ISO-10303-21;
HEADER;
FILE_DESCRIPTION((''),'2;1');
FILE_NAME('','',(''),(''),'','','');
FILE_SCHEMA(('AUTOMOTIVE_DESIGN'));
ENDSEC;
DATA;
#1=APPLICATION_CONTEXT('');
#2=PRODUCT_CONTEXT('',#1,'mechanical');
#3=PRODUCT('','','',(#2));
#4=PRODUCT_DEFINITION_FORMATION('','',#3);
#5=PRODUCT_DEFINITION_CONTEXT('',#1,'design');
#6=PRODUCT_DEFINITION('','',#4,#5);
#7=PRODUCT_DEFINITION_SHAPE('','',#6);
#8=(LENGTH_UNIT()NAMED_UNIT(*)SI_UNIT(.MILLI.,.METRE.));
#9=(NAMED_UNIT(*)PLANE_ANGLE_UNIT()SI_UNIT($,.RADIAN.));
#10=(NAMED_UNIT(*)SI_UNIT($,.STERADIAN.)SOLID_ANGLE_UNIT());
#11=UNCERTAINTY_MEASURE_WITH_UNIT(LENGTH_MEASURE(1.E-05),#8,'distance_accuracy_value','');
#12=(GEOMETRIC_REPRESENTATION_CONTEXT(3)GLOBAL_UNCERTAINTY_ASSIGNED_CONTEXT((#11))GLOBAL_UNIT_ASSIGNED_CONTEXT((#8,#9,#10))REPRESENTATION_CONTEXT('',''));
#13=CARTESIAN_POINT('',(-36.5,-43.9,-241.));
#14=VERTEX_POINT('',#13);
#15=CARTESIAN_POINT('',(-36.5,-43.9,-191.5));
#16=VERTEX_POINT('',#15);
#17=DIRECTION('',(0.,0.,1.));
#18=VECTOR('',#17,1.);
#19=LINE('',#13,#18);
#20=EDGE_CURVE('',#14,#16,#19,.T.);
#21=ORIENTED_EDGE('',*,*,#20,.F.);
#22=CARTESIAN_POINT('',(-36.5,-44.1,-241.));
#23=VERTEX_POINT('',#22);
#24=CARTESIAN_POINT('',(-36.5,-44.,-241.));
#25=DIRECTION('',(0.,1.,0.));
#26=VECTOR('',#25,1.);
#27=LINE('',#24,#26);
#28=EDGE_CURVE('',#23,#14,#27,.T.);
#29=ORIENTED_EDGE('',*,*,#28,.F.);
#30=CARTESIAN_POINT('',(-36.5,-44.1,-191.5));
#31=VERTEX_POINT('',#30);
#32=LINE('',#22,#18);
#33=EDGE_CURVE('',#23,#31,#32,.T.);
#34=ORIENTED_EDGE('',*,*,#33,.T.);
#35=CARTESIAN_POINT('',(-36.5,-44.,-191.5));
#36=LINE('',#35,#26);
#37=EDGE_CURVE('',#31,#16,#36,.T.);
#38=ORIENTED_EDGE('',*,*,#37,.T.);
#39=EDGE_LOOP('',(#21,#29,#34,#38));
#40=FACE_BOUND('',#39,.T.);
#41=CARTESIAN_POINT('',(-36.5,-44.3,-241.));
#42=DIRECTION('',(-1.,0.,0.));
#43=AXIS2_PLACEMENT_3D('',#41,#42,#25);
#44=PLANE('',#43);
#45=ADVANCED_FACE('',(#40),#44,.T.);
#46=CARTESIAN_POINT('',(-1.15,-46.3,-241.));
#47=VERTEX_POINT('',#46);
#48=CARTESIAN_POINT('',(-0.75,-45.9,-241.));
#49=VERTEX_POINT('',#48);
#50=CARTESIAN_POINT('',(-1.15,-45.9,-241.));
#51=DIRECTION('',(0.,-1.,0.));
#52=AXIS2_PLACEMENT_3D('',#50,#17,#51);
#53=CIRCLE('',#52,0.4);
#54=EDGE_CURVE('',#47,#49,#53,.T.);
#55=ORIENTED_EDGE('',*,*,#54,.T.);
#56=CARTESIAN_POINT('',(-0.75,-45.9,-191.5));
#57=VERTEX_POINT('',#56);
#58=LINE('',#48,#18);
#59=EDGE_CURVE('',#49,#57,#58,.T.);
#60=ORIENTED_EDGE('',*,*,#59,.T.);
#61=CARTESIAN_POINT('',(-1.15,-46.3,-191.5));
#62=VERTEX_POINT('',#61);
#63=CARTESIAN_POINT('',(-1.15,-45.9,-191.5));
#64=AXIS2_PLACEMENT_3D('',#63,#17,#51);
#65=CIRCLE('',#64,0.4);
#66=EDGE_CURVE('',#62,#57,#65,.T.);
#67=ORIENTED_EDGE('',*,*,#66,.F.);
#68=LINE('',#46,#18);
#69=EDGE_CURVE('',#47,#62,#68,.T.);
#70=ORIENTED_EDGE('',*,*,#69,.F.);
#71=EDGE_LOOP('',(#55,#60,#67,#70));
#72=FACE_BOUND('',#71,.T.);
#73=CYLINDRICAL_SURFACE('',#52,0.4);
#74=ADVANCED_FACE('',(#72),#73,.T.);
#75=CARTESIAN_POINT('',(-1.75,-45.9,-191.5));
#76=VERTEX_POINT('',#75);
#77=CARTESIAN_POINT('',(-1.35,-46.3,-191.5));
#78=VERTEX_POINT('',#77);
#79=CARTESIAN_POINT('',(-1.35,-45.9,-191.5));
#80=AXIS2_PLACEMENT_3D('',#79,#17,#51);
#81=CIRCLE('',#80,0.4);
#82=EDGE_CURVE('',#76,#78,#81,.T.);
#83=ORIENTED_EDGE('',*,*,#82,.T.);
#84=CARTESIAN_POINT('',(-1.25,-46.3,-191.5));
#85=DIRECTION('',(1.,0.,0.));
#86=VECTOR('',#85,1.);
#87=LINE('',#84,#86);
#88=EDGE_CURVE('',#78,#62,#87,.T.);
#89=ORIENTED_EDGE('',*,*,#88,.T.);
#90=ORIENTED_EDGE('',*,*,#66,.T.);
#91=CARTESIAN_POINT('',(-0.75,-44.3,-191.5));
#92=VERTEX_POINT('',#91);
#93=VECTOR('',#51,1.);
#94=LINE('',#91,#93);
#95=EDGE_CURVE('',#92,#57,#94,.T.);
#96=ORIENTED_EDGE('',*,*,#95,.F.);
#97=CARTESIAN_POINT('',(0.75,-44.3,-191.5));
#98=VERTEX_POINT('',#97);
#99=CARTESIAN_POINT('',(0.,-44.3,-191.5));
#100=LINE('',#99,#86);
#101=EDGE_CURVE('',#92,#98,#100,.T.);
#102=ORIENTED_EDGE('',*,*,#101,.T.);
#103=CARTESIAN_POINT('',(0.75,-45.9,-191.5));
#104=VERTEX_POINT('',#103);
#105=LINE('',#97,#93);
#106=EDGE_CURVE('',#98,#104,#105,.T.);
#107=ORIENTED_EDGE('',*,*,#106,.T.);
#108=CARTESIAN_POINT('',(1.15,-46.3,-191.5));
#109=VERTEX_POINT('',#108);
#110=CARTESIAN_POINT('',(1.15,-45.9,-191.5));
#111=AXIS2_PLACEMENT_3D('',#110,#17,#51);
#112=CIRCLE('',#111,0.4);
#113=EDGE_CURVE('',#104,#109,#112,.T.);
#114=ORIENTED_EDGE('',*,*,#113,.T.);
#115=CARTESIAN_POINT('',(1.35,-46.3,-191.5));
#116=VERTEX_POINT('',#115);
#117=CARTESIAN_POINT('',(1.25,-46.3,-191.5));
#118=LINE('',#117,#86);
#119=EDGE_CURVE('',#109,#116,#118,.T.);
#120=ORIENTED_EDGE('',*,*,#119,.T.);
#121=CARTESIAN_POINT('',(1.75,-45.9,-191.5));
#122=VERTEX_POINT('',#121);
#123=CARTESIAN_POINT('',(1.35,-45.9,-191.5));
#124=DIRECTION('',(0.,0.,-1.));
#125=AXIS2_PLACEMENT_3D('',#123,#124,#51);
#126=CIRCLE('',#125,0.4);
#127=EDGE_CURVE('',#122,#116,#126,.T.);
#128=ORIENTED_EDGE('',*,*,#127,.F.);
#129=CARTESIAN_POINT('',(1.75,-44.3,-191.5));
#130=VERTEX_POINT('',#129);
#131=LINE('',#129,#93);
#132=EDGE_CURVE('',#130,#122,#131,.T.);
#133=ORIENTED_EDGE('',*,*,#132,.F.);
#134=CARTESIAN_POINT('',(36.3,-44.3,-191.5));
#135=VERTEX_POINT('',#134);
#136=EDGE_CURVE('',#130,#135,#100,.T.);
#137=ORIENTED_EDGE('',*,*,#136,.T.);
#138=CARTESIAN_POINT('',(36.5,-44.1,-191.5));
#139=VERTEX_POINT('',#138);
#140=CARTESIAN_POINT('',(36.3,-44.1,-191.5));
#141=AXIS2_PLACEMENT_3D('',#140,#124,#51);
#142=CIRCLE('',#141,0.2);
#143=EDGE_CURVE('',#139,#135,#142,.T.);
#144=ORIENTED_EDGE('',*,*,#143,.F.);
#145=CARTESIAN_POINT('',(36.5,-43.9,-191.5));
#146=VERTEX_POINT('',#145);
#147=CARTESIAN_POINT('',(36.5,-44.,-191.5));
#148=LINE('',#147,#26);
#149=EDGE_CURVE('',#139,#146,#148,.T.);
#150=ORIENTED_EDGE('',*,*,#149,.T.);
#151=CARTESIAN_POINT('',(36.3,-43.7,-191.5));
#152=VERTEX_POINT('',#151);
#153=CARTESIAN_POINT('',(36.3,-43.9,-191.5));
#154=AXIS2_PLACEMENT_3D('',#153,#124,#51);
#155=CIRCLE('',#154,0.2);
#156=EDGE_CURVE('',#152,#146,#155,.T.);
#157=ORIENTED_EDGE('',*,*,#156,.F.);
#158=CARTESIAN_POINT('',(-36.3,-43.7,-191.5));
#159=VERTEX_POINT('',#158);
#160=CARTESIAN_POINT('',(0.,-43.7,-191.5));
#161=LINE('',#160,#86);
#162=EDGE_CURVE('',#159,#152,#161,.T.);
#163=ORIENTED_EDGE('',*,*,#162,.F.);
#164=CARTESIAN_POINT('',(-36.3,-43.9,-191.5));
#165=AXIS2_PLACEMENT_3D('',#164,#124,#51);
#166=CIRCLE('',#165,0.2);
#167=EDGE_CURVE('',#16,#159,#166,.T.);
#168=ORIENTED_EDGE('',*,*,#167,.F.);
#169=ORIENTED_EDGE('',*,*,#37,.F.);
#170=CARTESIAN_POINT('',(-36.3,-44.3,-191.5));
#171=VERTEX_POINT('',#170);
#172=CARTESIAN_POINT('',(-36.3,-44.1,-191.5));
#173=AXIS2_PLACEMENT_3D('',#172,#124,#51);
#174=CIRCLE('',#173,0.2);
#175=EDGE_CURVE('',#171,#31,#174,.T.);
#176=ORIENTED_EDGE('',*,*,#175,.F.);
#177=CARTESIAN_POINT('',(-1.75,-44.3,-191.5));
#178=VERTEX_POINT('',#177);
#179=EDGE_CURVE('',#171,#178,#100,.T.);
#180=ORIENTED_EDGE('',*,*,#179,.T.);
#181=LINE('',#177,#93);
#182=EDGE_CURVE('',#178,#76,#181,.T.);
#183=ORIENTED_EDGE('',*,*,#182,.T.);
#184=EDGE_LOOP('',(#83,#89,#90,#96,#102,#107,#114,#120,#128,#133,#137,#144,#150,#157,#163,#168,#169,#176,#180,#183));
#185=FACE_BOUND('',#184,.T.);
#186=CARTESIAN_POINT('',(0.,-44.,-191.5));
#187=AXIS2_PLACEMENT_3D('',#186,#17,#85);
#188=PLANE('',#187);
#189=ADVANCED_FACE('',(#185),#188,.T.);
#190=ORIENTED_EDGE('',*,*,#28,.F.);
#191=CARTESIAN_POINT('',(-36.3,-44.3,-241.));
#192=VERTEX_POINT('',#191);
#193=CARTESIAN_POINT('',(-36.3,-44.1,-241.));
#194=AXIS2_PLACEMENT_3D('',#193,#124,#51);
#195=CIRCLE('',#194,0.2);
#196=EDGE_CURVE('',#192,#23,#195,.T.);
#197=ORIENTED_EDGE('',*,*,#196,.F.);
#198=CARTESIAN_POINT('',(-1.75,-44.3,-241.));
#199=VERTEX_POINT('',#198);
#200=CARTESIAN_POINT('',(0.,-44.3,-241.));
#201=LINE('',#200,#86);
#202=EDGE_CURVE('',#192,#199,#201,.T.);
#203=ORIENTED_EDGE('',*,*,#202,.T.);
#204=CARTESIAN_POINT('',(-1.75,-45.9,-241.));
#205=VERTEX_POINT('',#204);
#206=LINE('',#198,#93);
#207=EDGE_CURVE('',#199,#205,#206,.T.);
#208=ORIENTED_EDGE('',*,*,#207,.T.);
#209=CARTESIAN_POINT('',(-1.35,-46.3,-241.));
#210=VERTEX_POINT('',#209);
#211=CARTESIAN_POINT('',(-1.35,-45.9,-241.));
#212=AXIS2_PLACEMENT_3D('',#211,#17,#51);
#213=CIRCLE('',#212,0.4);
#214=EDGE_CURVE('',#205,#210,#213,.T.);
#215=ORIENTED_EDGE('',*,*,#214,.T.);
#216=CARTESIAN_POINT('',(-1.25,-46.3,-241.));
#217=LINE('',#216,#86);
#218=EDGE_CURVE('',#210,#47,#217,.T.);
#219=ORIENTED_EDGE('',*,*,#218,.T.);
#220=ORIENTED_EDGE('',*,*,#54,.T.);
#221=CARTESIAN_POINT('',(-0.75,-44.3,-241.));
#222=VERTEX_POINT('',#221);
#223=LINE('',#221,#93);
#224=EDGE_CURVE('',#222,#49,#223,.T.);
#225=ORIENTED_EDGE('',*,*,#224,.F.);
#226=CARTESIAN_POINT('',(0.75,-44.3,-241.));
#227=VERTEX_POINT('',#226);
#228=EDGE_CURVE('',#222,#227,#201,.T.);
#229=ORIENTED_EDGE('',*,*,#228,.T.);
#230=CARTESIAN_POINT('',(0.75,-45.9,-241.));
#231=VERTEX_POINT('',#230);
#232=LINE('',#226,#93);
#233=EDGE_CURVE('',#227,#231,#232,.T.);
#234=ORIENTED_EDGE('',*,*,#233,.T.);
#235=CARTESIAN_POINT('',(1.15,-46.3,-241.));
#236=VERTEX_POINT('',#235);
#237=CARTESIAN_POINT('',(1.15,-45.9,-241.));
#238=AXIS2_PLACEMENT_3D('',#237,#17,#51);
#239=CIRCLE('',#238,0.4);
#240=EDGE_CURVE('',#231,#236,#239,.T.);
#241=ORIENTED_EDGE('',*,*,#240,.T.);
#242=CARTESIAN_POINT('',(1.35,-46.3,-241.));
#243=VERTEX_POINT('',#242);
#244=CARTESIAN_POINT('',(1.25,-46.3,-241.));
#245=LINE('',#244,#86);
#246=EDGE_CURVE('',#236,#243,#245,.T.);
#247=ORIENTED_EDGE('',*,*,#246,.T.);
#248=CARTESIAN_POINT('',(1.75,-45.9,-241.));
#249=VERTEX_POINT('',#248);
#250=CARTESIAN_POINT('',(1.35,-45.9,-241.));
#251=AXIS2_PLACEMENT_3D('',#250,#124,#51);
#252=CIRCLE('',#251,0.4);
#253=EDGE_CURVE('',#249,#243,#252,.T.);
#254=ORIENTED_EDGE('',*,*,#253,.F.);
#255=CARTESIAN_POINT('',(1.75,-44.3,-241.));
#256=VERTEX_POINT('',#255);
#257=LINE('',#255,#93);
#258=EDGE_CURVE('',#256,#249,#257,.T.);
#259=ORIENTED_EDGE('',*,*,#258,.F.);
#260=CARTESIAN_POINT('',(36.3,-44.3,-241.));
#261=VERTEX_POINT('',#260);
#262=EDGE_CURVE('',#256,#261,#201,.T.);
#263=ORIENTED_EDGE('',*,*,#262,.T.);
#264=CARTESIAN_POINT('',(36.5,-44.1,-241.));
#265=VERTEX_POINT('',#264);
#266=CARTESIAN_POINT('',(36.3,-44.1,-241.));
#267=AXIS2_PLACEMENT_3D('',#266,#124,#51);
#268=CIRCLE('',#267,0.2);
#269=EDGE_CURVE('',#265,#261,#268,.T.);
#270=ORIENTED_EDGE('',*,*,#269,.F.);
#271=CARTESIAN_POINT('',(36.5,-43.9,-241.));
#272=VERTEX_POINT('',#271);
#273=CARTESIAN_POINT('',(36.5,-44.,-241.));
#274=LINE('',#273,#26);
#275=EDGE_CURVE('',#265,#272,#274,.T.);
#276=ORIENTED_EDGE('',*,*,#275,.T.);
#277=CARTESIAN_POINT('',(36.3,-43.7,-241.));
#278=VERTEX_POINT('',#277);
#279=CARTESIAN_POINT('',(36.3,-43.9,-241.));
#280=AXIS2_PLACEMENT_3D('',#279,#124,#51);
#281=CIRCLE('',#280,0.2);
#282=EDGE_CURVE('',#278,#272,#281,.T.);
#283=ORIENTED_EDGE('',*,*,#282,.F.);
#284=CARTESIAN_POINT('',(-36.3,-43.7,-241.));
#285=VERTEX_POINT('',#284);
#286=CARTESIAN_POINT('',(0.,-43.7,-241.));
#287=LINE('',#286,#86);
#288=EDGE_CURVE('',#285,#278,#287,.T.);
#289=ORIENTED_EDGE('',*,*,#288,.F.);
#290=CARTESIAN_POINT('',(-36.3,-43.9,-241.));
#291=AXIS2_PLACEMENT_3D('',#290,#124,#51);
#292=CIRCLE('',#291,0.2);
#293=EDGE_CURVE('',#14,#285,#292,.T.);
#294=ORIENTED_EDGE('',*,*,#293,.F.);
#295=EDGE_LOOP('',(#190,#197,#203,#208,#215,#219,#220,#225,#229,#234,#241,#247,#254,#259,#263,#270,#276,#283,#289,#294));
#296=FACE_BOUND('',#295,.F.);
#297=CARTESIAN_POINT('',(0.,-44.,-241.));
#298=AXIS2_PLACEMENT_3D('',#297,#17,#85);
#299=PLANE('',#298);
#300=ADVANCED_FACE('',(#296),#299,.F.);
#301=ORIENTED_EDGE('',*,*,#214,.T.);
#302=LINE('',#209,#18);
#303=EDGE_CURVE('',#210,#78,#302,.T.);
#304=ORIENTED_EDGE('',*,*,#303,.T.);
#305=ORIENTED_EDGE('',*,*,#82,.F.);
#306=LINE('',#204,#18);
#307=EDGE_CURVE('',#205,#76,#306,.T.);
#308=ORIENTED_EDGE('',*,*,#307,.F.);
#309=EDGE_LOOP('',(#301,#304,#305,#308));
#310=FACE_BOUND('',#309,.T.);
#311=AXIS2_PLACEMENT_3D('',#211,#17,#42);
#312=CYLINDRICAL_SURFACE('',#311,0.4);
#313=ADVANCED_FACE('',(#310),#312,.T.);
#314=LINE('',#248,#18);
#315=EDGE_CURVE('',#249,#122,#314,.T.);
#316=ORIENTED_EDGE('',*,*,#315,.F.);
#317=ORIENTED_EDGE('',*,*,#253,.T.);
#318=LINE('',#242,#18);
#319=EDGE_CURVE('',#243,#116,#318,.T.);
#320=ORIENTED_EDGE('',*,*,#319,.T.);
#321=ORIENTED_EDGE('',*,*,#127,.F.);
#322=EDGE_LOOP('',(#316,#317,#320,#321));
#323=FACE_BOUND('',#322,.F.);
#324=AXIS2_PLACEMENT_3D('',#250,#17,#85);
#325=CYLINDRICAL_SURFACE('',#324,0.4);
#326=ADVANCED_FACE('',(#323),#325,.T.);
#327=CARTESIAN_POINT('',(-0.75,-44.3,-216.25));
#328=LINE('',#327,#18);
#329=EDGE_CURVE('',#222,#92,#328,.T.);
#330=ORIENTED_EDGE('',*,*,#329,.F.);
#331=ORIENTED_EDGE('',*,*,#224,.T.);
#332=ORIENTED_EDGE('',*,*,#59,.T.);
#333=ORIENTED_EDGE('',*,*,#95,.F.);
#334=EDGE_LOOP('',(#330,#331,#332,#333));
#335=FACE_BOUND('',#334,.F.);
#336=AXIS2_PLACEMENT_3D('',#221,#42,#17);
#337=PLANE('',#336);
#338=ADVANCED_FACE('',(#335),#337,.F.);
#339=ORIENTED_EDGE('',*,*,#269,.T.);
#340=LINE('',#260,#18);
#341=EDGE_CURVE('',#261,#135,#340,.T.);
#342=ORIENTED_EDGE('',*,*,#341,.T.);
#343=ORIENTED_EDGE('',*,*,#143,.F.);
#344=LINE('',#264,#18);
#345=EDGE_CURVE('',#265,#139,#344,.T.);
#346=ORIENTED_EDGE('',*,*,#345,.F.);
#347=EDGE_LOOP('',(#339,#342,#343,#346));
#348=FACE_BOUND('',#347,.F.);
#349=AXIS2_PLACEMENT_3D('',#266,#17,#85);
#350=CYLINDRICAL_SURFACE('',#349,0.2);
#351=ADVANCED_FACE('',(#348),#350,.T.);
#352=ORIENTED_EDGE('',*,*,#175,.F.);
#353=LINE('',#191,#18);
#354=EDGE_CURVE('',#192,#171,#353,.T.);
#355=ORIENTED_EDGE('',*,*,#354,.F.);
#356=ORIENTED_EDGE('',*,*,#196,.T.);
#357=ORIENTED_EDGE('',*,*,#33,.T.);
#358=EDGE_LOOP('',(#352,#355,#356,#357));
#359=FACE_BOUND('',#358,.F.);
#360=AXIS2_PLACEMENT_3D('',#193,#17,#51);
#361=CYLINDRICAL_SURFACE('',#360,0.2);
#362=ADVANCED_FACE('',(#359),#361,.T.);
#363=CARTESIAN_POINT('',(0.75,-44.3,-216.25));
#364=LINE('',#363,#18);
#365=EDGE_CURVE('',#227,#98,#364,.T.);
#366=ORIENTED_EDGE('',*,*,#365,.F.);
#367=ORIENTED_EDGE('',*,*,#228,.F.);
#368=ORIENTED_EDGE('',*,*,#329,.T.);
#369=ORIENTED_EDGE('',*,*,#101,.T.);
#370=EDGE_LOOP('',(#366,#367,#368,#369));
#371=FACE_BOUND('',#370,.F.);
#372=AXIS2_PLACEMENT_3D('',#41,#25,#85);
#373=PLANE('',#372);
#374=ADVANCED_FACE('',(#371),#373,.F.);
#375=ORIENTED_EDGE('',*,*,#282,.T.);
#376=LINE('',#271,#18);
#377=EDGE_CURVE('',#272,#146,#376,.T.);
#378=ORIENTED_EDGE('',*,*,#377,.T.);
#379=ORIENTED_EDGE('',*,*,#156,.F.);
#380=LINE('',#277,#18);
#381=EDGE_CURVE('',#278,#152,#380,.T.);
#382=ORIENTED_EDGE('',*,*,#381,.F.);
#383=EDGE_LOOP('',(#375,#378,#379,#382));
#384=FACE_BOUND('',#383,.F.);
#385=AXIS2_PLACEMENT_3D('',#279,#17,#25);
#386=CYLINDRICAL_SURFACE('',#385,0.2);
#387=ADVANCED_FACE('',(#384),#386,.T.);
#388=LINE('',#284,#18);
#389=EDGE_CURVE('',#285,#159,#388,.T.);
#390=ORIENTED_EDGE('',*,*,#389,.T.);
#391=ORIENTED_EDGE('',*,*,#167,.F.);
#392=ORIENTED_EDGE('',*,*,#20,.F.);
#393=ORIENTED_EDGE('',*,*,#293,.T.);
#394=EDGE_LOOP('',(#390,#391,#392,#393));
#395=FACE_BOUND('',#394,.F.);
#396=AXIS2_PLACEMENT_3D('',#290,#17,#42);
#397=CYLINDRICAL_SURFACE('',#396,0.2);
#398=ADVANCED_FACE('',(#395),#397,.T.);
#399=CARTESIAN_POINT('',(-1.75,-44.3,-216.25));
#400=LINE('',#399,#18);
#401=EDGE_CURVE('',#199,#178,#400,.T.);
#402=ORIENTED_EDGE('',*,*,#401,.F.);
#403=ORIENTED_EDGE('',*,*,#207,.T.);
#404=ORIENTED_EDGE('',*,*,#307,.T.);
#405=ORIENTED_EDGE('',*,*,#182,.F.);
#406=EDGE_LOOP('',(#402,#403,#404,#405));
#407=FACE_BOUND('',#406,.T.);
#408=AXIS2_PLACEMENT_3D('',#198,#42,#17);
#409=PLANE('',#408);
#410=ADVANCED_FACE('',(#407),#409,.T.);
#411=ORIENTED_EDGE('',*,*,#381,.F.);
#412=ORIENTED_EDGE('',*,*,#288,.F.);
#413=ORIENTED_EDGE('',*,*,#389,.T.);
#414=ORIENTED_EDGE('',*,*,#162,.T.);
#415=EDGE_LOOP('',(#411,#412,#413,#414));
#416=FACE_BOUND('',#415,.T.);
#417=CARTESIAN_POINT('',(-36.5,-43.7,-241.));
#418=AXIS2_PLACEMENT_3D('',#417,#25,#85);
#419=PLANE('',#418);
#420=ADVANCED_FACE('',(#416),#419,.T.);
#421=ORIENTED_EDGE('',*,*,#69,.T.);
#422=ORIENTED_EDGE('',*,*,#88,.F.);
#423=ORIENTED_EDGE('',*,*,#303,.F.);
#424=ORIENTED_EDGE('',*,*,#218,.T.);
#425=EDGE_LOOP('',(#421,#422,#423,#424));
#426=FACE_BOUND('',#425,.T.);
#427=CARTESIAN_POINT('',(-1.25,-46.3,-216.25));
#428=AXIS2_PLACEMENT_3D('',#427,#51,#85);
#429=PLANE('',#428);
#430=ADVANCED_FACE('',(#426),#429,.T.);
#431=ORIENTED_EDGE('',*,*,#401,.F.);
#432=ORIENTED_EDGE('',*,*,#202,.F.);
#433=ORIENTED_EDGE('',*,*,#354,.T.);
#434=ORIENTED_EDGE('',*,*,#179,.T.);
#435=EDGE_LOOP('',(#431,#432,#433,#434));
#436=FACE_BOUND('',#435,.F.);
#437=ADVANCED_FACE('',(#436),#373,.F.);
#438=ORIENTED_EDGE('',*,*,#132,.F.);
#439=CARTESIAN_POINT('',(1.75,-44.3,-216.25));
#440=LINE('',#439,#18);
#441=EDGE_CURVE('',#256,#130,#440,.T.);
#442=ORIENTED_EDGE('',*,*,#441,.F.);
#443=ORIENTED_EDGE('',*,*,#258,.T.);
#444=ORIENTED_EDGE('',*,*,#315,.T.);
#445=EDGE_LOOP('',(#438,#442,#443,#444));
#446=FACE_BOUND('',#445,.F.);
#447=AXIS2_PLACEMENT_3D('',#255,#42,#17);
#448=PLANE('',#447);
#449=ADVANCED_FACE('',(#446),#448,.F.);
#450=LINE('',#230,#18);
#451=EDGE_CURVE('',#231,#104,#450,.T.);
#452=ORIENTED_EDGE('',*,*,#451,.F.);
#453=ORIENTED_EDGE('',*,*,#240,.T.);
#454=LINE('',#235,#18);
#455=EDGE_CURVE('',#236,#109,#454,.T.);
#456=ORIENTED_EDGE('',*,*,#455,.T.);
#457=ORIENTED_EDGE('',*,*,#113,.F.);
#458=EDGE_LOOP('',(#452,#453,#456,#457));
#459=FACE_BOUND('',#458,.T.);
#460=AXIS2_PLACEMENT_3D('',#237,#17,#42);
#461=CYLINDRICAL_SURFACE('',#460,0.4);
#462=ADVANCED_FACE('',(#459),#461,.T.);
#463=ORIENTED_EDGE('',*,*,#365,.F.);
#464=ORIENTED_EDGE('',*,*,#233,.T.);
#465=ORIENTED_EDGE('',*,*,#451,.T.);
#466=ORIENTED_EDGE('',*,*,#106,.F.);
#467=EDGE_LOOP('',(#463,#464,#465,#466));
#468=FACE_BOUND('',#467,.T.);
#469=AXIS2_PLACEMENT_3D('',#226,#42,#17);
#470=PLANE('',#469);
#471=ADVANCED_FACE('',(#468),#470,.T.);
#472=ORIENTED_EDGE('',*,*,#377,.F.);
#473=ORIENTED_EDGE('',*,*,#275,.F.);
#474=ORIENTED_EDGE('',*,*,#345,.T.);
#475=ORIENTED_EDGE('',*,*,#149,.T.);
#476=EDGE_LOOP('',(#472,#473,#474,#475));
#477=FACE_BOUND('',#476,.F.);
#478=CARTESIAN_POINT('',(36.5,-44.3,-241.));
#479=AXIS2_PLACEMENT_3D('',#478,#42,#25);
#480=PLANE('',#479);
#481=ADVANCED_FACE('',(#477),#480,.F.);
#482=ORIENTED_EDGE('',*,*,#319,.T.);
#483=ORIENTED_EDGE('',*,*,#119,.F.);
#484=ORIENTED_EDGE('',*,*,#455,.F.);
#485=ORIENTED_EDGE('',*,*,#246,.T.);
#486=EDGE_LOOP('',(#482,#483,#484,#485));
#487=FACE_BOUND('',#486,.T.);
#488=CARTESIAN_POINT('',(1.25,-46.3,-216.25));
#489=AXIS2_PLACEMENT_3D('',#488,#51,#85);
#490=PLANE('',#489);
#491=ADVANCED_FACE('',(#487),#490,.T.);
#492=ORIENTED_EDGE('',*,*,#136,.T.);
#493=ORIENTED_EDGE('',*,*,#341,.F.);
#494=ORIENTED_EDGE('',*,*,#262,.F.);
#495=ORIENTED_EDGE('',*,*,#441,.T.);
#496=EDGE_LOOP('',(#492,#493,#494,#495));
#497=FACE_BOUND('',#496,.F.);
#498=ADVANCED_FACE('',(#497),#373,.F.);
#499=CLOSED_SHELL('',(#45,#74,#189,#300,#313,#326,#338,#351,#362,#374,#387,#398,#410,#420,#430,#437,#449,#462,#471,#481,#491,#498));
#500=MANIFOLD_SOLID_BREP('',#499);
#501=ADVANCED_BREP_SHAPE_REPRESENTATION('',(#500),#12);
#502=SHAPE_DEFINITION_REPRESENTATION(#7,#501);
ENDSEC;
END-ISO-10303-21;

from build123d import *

# Parameters (mm, degrees)
SKETCH003_W  = 73
SKETCH003_H  = 0.6
PAD003_DEPTH = 49.5
SKETCH004_W  = 1
SKETCH004_H  = 49.5
PAD004_DEPTH = 2
FILLET005_R  = 0.4
FILLET006_R  = 0.2


with BuildPart() as part:
    # Sketch003 → Pad003 (new body)
    with BuildSketch(Plane.XY):
        Rectangle(SKETCH003_W, SKETCH003_H)
    extrude(amount=PAD003_DEPTH)

    # Sketch004 (on Face3 of Pad003) → Pad004 (join)
    with BuildSketch(Plane.XZ.offset(0.3)):
        with Locations((-1.25, 24.75)):
            Rectangle(SKETCH004_W, SKETCH004_H)
        with Locations((1.25, 24.75)):
            Rectangle(SKETCH004_W, SKETCH004_H)
    extrude(amount=PAD004_DEPTH)

    # Fillet005
    fillet005_edges = [part.edges().sort_by_distance(p)[0] for p in [
        (-1.75, -2.3, 24.75),
        (-0.75, -2.3, 24.75),
        (0.75, -2.3, 24.75),
        (1.75, -2.3, 24.75),
    ]]
    fillet(fillet005_edges, radius=FILLET005_R)

    # Fillet006
    fillet006_edges = [part.edges().sort_by_distance(p)[0] for p in [
        (-36.5, -0.3, 24.75),
        (-36.5, 0.3, 24.75),
        (36.5, -0.3, 24.75),
        (36.5, 0.3, 24.75),
    ]]
    fillet(fillet006_edges, radius=FILLET006_R)


with BuildPart() as part_1:
    # Body002 placement: moved
    add(part.part.moved(Location((0, -44, -241))))


solid = part_1.part
